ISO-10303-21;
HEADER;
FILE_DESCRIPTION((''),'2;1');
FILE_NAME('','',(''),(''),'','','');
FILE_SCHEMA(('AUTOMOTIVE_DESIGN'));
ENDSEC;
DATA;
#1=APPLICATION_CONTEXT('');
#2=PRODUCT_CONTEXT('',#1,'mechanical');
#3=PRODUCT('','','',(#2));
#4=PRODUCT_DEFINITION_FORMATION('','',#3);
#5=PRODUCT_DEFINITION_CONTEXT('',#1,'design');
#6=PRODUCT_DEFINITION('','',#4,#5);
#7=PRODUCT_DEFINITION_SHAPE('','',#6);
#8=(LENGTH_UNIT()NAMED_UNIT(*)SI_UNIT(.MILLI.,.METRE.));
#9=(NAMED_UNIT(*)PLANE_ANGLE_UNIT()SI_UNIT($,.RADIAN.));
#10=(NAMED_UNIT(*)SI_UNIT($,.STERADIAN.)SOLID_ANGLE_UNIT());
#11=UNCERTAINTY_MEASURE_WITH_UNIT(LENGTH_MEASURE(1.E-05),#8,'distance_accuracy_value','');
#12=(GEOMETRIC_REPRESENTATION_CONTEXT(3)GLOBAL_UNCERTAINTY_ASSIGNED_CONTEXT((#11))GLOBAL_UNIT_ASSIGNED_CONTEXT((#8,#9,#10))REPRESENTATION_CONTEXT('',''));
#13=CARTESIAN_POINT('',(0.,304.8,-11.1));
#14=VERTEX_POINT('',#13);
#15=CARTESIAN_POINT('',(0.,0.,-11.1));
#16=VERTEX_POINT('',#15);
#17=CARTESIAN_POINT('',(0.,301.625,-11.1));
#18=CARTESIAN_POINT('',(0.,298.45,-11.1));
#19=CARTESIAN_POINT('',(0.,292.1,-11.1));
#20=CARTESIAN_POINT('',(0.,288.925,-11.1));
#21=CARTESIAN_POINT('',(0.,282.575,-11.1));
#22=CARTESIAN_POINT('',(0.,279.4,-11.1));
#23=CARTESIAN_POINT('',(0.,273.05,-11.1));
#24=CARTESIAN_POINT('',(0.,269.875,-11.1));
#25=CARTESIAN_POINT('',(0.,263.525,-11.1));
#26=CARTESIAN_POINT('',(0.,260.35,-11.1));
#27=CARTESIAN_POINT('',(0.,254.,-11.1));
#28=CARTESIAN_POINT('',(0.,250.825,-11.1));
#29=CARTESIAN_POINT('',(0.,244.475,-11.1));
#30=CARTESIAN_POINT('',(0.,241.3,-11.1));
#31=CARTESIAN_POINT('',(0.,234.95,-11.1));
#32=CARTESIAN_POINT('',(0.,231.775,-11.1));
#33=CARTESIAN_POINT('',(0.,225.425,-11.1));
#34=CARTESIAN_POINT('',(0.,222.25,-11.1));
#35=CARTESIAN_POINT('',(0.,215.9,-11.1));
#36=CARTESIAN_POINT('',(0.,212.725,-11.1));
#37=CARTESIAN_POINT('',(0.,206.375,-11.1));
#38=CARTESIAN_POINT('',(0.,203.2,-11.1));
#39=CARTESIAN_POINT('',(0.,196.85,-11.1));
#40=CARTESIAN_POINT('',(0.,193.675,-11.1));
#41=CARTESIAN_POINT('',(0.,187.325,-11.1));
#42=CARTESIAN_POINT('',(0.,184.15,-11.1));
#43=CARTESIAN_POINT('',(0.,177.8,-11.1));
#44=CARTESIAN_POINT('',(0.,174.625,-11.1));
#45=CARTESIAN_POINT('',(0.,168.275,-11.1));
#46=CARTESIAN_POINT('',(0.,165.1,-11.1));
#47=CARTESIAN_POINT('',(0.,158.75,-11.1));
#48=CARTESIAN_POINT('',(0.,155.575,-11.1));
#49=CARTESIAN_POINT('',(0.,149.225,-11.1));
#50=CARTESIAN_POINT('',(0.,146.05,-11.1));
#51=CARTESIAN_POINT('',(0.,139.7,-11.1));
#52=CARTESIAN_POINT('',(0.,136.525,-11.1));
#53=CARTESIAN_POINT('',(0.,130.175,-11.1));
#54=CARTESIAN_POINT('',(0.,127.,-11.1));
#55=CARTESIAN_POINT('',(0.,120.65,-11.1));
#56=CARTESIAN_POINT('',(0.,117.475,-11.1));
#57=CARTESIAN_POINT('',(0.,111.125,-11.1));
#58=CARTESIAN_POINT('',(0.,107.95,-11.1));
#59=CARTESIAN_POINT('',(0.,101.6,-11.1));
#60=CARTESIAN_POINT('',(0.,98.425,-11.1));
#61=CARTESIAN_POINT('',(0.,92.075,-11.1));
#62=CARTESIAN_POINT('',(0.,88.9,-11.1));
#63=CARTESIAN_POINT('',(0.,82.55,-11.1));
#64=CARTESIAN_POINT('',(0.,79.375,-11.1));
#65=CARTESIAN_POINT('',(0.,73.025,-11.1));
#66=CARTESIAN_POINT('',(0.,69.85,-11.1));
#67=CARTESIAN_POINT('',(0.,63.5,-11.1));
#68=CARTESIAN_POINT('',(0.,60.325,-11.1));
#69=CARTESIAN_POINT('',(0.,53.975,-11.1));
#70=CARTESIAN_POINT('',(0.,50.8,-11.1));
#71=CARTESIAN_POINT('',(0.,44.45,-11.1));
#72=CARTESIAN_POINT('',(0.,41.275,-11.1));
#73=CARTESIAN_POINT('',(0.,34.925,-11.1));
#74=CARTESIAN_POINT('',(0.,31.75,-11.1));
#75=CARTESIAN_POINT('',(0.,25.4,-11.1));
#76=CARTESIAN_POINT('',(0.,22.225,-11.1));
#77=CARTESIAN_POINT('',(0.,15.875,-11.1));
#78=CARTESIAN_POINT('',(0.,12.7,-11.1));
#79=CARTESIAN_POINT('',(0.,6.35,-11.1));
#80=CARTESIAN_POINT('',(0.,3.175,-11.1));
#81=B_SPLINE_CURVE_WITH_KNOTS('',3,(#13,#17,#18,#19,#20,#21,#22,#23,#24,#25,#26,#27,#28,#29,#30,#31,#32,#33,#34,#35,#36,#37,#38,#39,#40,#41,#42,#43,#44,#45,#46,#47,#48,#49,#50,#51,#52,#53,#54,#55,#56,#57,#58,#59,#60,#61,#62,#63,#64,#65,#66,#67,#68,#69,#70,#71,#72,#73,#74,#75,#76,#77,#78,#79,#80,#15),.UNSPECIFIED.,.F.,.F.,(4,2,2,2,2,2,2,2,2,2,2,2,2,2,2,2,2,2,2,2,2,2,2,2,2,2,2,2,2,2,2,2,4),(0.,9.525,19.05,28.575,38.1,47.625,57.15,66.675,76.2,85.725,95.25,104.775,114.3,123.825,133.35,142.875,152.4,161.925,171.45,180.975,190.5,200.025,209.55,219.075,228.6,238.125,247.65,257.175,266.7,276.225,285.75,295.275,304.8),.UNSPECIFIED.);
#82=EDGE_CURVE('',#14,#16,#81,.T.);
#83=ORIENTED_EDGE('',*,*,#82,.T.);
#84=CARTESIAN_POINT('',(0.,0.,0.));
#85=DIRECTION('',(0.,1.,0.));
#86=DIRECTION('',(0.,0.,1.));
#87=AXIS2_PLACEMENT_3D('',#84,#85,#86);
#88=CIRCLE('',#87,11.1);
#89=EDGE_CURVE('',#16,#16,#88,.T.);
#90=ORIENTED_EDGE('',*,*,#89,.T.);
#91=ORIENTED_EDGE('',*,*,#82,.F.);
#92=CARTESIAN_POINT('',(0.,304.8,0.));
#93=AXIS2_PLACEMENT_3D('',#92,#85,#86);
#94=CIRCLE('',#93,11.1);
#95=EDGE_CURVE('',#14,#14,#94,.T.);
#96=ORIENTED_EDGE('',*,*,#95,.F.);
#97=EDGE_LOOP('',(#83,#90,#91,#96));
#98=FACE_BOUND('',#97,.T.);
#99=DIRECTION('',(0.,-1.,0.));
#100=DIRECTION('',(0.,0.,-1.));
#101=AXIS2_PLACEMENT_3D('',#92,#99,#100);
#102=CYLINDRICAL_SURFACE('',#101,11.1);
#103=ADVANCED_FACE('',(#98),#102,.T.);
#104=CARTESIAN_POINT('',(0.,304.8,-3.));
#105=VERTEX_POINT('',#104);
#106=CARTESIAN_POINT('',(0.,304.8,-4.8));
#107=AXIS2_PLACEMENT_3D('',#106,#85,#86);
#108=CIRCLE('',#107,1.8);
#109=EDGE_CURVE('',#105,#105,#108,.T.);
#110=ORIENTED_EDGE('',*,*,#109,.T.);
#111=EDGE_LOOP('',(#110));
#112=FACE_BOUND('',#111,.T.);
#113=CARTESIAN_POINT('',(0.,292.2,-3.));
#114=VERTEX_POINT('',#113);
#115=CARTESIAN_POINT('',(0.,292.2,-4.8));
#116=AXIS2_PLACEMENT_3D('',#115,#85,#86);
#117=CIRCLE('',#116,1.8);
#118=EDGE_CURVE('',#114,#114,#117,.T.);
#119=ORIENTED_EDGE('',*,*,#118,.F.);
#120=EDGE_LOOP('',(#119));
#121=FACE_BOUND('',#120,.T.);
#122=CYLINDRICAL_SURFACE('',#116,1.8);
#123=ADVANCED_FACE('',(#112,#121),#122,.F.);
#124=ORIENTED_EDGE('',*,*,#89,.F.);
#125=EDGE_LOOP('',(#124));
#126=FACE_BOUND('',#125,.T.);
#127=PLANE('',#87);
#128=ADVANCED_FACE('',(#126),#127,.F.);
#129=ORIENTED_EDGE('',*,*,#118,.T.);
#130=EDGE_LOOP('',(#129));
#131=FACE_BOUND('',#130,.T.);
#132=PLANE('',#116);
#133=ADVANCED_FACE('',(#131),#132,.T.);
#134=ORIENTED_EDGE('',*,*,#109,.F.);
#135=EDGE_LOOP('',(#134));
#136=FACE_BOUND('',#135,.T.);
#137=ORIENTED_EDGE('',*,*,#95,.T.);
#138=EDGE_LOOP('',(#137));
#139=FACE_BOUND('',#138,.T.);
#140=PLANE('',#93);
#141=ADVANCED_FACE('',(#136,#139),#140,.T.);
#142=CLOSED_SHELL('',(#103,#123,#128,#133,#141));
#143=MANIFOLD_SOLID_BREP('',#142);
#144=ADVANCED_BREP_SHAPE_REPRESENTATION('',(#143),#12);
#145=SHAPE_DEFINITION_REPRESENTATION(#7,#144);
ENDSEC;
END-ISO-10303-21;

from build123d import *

# Parameters (mm, degrees)
SKETCH2_R           = 11.1
BOSS_EXTRUDE1_DEPTH = 304.8
SKETCH3_R           = 1.8
CUT_EXTRUDE1_DEPTH  = 12.6


with BuildPart() as part:
    # Sketch2 → Boss-Extrude1 (new body)
    with BuildSketch(Plane(origin=(0, 0, 0), x_dir=(1, 0, 0), z_dir=(0, 1, 0))):
        with Locations(Location((0, 0, 0), (0, 0, 90))):
            Circle(SKETCH2_R)
    extrude(amount=BOSS_EXTRUDE1_DEPTH)

    # Sketch3 → Cut-Extrude1 (cut)
    with BuildSketch(Plane(origin=(0, 304.8, 0), x_dir=(1, 0, 0), z_dir=(0, 1, 0))):
        with Locations(Location((0, 4.8, 0), (0, 0, 270))):
            Circle(SKETCH3_R)
    extrude(amount=-CUT_EXTRUDE1_DEPTH, mode=Mode.SUBTRACT)


solid = part.part
